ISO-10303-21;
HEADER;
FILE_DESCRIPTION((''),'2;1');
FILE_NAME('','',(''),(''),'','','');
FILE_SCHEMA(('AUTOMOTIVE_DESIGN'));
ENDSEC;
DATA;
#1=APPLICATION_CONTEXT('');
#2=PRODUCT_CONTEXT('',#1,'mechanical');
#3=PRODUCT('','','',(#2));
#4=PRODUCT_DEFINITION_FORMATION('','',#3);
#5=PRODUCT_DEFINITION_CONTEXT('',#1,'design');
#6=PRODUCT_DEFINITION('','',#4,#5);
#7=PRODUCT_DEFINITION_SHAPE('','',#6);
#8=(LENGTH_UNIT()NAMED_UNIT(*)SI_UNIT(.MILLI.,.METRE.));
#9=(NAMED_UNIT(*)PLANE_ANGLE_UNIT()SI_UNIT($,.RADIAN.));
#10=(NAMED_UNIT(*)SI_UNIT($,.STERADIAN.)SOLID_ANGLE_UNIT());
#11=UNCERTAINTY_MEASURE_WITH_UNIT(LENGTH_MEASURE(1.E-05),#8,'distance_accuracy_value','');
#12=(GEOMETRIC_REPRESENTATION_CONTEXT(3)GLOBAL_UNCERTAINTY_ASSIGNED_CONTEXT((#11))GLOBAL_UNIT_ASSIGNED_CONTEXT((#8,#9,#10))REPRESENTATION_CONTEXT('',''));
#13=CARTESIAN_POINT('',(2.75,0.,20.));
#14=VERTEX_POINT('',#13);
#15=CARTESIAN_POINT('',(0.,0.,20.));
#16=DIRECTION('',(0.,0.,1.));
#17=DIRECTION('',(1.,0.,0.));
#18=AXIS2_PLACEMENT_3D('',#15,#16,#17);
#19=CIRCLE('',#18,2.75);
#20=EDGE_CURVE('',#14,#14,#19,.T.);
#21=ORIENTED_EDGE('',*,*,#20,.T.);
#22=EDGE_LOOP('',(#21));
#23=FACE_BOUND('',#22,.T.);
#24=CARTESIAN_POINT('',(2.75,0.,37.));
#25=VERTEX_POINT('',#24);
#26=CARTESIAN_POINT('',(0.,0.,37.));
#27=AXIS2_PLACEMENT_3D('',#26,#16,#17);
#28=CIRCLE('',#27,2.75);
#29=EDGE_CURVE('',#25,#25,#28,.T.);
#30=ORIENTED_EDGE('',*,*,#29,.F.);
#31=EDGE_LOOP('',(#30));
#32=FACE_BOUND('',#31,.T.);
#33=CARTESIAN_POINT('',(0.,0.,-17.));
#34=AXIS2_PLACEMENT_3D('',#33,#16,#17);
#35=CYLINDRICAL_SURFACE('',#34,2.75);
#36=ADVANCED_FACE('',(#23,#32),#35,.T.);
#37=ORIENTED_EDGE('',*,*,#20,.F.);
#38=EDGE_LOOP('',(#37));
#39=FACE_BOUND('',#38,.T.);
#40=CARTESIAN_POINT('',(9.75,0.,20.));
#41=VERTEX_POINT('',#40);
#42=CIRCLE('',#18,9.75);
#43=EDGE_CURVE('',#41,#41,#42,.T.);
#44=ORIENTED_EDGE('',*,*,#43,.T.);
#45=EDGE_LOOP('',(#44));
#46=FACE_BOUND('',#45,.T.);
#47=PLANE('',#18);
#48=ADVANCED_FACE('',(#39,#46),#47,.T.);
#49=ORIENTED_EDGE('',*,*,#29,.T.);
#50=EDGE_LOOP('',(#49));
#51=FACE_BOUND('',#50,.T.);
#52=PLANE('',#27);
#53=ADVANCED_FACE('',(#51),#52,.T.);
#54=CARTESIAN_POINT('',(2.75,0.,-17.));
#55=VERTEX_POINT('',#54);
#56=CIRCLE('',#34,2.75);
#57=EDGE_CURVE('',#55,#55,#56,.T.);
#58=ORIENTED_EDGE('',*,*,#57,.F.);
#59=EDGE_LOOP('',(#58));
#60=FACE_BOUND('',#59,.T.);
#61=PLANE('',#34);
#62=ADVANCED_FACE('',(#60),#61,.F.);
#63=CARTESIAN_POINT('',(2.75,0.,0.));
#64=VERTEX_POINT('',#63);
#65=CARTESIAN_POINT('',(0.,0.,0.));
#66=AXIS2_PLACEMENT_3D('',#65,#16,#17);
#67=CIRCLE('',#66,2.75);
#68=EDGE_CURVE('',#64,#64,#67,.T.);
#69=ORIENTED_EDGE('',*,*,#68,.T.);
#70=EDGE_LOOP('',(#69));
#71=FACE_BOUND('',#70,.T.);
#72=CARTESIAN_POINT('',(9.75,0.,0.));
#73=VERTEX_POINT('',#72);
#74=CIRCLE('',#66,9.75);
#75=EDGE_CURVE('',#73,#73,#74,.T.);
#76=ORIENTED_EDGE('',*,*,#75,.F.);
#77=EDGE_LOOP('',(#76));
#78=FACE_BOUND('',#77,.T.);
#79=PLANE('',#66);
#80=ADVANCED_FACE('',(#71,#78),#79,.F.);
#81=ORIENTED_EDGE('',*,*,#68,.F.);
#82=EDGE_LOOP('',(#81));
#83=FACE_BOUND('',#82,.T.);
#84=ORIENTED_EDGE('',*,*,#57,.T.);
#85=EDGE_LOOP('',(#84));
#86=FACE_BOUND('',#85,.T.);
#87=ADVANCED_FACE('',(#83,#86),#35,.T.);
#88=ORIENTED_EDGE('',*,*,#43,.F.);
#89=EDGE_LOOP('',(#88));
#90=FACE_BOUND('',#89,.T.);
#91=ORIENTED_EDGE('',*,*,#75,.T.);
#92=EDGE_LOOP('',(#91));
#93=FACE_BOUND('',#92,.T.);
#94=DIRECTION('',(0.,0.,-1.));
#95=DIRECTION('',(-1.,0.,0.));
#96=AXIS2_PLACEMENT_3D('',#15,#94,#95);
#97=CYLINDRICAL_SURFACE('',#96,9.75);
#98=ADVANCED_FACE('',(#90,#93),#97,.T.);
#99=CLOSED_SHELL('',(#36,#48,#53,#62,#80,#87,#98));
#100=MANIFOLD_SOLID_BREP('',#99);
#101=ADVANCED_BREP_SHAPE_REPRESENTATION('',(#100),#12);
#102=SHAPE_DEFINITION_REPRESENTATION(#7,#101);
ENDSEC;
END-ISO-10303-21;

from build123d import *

# Parameters (mm, degrees)
SKETCH1_R                = 9.75
BOSS_EXTRUDE1_DEPTH      = 20
BOSS_EXTRUDE2_DEPTH      = 17
BOSS_EXTRUDE2_DEPTH_BACK = 37
SKETCH2_R                = 2.75


with BuildPart() as part:
    # Sketch1 → Boss-Extrude1 (new body)
    with BuildSketch(Plane.XY):
        Circle(SKETCH1_R)
    extrude(amount=BOSS_EXTRUDE1_DEPTH)

    # Sketch2 → Boss-Extrude2 (add, two sides: drawn at the far end of the back side and taken through both)
    with BuildSketch(Plane.XY.offset(20).offset(-BOSS_EXTRUDE2_DEPTH_BACK)):
        Circle(SKETCH2_R)
    extrude(amount=BOSS_EXTRUDE2_DEPTH + BOSS_EXTRUDE2_DEPTH_BACK)


solid = part.part
